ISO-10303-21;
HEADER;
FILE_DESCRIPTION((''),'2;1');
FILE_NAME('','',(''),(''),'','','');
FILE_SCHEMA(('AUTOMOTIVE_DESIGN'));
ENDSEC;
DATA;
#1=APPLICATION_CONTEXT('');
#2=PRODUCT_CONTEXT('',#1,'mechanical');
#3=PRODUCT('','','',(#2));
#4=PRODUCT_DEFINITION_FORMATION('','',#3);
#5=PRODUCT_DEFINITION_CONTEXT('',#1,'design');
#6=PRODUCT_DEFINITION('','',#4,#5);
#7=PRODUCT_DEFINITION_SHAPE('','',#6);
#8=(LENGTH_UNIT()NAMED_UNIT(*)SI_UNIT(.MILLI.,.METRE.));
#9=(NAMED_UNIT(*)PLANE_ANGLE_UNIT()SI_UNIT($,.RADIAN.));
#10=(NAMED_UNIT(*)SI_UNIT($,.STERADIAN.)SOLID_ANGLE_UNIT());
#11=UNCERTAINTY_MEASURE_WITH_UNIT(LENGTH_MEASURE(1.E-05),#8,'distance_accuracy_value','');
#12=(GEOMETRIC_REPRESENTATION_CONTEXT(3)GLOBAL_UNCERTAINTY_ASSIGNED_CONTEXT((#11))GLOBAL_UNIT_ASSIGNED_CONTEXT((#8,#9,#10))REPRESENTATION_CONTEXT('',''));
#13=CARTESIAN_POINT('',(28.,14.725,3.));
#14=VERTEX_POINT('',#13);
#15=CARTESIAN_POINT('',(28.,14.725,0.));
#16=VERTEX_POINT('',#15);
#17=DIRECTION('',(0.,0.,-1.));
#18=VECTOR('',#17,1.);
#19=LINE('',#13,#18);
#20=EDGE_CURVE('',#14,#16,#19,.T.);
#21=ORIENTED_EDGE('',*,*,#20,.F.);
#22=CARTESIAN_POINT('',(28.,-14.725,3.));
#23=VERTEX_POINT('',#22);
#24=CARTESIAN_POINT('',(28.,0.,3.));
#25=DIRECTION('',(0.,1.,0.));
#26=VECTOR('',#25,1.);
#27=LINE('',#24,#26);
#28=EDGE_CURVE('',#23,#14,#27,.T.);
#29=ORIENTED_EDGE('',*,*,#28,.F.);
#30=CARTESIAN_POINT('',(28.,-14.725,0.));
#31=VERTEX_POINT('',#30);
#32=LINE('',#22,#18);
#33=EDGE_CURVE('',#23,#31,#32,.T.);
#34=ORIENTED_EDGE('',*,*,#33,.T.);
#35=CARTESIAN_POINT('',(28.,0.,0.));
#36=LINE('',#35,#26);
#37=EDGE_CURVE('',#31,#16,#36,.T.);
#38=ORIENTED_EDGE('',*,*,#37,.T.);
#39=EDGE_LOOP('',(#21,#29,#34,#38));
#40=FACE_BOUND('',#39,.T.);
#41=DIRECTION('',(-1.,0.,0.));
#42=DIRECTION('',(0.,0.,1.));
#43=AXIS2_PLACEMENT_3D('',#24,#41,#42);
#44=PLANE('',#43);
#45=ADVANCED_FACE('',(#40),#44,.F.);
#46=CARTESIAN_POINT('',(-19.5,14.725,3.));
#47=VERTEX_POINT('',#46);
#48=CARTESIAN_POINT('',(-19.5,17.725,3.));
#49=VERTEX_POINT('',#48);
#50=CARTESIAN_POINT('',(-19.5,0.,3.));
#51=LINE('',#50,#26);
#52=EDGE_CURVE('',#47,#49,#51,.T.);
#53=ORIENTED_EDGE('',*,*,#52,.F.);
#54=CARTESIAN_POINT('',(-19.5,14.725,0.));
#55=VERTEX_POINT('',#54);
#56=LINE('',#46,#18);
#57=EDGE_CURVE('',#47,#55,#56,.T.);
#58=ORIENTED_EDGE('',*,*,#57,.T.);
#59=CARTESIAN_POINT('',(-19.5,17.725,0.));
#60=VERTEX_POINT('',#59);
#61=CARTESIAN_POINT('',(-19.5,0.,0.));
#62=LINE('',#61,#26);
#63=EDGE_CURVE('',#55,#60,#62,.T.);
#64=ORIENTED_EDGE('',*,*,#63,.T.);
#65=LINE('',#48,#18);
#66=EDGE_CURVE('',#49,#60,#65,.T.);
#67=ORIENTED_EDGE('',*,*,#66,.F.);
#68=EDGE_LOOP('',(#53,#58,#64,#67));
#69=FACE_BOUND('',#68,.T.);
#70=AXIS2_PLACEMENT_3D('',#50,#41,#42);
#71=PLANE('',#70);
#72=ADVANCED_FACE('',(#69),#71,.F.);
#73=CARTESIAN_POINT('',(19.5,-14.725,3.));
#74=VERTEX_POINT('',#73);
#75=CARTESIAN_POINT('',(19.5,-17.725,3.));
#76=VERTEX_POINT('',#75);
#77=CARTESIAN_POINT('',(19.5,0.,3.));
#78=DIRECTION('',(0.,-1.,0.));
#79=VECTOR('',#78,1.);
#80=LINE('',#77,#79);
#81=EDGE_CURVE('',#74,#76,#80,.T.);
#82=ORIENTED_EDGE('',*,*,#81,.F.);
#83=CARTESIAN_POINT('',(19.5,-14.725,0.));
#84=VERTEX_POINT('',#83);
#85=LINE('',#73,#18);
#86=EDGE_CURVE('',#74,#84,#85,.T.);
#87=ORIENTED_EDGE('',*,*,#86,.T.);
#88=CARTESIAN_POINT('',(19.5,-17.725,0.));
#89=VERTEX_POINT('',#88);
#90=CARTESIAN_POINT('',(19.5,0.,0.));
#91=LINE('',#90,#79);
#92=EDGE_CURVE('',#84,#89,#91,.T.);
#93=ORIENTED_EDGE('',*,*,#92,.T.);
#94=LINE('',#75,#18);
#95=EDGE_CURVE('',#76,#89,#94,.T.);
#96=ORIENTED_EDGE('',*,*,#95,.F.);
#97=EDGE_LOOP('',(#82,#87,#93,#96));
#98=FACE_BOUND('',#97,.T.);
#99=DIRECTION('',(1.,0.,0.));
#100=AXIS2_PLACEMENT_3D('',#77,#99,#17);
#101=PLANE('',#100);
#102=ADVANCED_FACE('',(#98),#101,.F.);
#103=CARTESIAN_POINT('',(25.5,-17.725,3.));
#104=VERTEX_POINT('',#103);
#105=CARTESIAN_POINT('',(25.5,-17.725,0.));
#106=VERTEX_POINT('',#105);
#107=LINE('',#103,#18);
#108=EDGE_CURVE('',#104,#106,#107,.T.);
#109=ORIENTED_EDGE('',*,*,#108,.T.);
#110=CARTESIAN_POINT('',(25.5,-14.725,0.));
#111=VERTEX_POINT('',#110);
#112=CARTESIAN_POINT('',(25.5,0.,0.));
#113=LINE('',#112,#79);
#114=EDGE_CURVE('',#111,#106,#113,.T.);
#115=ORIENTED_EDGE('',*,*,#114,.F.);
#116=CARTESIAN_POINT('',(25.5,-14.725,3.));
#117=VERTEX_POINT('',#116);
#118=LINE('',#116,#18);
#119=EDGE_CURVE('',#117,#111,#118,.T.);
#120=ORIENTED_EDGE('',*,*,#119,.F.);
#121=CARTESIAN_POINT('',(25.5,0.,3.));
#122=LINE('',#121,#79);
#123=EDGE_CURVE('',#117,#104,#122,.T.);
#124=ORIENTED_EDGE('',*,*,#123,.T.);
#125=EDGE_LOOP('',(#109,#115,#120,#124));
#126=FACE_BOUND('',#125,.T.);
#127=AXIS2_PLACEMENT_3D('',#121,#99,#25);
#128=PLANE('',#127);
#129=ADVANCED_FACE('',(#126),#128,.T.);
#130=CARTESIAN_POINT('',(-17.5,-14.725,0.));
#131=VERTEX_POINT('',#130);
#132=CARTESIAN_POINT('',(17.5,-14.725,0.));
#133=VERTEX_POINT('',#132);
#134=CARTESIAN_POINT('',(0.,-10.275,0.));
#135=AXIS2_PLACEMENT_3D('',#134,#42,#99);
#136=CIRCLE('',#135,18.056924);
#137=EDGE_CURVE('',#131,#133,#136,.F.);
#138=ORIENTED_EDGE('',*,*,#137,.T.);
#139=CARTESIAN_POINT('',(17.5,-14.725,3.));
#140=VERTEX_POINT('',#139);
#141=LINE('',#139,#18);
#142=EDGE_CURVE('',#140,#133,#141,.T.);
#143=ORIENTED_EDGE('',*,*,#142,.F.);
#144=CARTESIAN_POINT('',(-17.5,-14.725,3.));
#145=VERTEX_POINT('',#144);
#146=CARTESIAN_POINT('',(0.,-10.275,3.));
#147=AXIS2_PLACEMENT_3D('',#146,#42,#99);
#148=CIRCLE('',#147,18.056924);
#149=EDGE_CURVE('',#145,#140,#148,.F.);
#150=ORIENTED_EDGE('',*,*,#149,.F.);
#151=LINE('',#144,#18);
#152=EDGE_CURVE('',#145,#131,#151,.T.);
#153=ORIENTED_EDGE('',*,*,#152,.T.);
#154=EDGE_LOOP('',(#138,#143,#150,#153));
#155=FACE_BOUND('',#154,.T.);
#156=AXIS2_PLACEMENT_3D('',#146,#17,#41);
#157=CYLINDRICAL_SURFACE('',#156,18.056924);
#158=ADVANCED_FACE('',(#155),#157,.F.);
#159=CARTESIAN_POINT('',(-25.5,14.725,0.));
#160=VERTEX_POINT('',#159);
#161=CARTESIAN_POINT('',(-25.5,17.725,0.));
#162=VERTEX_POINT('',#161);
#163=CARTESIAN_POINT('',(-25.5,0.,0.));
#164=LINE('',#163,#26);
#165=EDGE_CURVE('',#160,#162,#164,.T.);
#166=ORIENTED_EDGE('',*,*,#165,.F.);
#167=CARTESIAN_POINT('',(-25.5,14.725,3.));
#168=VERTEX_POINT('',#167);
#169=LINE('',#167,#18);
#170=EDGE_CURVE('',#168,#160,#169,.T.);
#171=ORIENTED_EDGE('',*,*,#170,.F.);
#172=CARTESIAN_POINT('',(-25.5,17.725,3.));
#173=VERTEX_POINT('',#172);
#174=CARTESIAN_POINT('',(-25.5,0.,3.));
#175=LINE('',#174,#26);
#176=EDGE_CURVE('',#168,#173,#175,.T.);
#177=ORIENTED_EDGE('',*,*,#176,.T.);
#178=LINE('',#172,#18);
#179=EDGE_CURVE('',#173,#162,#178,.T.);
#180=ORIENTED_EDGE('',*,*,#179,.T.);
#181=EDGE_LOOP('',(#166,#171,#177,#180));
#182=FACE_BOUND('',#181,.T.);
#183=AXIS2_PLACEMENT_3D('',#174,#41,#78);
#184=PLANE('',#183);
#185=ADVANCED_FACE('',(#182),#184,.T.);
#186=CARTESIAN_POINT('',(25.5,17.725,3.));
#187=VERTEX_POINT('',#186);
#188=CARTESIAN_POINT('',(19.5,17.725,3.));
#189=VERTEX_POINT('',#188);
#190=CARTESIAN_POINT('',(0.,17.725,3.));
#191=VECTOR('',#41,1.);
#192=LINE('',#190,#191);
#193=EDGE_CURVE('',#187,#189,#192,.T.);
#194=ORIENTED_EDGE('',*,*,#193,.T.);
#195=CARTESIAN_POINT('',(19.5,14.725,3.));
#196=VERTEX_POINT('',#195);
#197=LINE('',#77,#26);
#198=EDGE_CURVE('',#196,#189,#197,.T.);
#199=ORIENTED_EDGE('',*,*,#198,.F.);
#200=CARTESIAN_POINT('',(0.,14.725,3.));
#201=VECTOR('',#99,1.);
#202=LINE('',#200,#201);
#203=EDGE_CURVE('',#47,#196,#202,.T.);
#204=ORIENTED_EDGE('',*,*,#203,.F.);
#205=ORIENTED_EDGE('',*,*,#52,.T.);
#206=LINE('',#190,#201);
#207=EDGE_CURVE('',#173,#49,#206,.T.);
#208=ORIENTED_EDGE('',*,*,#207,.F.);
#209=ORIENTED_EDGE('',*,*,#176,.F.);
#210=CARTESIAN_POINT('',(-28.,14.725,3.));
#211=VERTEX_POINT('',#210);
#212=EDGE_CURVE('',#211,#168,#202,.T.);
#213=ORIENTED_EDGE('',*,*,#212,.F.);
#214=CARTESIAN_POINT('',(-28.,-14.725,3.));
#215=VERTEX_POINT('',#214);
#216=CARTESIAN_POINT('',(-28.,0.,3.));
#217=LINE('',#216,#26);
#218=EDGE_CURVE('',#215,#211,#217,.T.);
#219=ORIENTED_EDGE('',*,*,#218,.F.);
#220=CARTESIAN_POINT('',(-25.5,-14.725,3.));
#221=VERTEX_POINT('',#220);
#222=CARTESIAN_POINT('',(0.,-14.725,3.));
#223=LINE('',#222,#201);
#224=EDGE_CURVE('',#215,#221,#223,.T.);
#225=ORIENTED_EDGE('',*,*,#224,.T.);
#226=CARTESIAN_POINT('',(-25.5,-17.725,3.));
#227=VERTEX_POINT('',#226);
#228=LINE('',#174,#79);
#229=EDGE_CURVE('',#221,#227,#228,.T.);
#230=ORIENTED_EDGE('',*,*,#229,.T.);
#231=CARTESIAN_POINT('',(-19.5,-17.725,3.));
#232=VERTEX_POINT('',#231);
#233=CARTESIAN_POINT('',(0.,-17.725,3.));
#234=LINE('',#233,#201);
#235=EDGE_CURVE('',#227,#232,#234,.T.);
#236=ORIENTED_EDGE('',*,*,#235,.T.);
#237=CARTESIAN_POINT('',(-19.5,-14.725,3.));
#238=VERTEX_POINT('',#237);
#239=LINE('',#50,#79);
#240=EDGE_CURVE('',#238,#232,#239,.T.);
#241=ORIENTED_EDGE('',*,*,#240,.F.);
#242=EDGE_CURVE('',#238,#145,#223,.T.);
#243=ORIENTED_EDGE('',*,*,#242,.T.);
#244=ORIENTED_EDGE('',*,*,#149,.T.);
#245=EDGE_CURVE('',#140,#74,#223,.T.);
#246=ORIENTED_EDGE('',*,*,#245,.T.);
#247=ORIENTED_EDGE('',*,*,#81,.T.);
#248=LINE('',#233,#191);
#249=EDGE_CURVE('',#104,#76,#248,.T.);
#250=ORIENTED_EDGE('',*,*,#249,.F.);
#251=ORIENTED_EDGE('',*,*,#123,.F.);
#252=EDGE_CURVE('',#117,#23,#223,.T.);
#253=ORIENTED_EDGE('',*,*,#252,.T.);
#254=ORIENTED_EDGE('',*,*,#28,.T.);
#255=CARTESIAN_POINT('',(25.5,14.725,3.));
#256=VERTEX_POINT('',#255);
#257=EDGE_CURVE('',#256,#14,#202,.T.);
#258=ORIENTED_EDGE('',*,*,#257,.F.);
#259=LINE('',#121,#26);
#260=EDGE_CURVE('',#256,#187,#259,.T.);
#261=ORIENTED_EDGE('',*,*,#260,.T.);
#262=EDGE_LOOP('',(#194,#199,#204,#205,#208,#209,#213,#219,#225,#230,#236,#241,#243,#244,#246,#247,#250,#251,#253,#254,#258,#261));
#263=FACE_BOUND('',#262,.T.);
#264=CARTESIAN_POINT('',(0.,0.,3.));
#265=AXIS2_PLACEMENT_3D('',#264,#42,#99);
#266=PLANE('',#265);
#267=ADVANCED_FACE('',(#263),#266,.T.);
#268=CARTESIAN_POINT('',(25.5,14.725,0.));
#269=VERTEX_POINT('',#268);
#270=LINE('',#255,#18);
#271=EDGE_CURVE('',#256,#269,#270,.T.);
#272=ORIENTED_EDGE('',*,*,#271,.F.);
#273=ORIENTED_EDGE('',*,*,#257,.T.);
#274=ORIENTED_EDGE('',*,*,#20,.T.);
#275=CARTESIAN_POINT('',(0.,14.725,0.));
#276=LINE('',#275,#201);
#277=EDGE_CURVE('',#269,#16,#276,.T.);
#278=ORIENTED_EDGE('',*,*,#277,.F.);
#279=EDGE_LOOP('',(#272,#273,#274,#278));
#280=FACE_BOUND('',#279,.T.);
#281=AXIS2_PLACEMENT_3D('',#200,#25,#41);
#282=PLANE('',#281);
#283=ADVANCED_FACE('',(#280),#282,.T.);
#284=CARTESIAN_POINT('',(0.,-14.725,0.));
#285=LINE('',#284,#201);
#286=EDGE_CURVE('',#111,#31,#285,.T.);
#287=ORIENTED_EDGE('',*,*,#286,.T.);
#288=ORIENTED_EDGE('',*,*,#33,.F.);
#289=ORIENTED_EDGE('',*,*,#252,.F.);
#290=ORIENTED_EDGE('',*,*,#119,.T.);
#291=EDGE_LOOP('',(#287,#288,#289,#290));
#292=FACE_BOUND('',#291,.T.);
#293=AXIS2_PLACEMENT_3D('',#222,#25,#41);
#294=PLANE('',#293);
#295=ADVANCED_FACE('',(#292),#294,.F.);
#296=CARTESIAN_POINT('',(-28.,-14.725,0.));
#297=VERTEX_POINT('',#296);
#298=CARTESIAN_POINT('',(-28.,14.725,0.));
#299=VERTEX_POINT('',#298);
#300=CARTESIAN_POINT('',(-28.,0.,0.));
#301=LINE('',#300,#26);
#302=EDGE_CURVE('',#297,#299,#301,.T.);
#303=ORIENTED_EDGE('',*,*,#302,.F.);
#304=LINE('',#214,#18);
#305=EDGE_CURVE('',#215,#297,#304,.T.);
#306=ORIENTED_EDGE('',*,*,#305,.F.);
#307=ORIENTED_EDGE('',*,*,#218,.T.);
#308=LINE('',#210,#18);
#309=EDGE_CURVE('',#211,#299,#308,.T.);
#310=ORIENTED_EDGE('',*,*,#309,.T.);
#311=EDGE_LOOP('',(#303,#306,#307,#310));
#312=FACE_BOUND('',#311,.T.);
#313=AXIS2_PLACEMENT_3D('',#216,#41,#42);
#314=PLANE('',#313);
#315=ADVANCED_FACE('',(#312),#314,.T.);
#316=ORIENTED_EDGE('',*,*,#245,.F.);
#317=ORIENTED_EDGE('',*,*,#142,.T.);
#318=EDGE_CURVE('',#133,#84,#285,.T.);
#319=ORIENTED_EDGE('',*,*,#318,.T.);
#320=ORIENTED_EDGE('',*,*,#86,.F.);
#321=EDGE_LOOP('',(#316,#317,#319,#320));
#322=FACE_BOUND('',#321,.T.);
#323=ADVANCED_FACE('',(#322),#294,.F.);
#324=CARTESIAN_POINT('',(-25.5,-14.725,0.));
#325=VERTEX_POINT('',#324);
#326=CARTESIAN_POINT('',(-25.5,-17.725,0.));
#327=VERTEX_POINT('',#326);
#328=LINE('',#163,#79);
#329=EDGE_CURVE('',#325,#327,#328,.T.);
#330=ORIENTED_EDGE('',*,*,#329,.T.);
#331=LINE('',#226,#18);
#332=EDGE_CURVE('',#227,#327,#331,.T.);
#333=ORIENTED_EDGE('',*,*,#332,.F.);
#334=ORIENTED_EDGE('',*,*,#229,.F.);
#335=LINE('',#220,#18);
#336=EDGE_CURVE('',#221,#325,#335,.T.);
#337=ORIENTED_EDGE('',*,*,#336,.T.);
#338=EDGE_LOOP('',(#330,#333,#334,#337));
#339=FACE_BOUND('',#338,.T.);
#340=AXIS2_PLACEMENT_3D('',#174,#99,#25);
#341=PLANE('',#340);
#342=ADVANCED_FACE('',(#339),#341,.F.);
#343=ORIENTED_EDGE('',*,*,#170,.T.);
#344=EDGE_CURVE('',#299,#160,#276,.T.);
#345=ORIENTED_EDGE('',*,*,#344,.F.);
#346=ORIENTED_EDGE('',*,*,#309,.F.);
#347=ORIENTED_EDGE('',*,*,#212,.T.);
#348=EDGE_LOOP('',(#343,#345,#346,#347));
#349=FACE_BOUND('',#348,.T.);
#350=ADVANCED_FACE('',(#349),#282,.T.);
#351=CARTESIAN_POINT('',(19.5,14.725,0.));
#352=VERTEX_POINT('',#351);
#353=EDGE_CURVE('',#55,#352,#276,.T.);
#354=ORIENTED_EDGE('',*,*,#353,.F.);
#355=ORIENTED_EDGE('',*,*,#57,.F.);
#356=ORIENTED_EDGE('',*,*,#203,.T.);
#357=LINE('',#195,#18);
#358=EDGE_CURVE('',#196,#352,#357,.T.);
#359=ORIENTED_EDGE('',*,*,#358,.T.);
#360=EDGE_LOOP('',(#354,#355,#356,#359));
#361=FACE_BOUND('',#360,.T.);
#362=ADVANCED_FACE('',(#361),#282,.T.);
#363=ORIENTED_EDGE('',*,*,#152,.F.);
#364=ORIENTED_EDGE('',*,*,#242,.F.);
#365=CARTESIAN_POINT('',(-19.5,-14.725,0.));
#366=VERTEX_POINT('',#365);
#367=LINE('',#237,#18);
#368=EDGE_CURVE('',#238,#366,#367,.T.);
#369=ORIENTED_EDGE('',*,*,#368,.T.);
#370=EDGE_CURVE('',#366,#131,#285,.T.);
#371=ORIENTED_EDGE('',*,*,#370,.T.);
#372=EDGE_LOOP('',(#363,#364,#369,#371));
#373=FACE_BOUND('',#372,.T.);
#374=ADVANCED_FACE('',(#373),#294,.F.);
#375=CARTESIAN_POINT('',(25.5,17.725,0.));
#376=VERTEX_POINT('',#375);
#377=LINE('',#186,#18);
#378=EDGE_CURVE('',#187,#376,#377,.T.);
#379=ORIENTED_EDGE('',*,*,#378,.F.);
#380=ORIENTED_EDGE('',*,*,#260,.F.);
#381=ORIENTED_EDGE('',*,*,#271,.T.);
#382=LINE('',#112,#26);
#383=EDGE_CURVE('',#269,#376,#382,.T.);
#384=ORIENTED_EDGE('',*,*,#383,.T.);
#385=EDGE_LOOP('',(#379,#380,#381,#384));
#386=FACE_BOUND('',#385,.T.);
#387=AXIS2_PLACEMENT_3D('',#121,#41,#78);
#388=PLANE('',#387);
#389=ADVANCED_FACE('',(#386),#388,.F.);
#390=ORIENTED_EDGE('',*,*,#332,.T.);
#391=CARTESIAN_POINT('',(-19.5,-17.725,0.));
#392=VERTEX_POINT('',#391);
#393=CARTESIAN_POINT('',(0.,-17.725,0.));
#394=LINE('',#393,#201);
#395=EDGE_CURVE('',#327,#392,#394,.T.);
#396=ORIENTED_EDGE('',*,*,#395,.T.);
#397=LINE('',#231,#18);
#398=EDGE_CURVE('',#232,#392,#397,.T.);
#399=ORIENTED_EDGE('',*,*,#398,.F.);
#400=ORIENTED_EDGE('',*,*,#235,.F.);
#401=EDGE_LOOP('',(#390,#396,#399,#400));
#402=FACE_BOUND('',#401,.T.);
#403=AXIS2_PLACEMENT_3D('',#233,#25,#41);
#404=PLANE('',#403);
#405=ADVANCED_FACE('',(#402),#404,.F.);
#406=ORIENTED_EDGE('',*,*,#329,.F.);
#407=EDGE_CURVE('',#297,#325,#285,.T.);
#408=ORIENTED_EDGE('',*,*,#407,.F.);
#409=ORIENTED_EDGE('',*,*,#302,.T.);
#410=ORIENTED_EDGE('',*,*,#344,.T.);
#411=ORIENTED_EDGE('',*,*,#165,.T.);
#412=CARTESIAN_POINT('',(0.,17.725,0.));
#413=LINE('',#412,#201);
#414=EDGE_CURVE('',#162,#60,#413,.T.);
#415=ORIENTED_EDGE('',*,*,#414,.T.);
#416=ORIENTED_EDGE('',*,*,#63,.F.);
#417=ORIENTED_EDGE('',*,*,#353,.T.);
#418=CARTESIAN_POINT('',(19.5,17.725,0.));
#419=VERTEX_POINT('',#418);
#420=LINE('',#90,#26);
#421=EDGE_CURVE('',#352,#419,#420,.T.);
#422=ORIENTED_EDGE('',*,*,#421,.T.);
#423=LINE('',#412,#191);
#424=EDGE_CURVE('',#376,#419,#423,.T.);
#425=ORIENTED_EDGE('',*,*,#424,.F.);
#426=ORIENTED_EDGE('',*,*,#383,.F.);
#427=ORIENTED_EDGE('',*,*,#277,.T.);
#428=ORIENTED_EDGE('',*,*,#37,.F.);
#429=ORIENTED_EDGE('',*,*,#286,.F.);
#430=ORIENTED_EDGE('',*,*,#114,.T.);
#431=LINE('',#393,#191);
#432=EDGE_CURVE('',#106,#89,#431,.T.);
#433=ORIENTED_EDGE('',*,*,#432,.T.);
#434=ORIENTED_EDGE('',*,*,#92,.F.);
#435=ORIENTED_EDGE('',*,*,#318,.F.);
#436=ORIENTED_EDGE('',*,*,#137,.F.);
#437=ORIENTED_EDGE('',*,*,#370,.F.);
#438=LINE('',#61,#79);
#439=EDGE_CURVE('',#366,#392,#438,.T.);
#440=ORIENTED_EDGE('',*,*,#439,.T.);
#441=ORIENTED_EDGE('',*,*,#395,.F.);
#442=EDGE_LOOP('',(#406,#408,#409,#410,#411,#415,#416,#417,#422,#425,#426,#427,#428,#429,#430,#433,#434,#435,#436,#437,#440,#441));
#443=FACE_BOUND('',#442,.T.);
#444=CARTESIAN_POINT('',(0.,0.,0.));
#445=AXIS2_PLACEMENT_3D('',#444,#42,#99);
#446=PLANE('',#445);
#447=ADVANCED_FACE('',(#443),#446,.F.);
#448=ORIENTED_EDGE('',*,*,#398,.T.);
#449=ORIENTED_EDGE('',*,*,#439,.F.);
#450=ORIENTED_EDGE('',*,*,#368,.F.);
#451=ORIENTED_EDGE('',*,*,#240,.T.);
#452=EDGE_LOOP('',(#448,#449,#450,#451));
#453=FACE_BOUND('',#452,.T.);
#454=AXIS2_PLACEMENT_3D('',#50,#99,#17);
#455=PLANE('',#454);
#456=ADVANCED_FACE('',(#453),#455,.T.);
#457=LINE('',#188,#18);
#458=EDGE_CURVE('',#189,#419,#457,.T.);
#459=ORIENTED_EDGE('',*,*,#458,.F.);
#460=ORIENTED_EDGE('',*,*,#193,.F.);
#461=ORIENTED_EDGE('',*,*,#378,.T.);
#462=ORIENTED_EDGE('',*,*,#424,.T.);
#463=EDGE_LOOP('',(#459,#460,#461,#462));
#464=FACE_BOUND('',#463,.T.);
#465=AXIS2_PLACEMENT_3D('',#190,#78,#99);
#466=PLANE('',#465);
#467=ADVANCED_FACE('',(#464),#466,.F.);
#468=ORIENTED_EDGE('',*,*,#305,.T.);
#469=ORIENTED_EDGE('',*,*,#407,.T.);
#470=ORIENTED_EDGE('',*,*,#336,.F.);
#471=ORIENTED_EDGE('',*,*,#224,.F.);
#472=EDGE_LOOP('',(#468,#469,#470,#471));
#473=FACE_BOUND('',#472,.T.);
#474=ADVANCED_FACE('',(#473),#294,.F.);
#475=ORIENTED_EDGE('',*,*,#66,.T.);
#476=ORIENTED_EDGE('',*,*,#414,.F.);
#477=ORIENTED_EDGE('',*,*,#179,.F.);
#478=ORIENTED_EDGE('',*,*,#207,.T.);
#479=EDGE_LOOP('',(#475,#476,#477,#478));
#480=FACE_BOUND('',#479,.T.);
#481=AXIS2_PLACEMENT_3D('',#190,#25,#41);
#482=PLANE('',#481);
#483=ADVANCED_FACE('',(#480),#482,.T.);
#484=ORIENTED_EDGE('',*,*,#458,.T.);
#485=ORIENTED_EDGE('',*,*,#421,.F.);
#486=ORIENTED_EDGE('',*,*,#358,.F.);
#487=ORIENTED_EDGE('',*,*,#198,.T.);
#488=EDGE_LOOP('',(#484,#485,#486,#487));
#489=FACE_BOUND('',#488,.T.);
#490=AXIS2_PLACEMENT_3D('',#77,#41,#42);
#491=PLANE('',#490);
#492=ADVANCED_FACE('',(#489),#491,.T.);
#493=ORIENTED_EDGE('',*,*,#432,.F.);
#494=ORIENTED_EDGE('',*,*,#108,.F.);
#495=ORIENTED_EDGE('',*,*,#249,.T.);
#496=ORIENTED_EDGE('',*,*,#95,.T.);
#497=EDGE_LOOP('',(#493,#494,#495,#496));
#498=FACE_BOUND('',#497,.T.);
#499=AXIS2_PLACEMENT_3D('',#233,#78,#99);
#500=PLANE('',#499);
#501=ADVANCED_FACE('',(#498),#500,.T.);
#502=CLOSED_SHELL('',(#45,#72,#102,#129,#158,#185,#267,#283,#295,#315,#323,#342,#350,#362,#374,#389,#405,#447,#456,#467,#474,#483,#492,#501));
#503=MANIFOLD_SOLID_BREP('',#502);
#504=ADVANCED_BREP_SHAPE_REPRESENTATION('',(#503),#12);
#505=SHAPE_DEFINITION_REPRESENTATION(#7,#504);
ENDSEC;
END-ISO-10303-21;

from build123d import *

# Parameters (mm, degrees)
BOSS_EXTRUDE1_DEPTH = 3


with BuildPart() as part:
    # Sketch1 → Boss-Extrude1 (new body)
    with BuildSketch(Plane.XY):
        with BuildLine():
            Line((-28, 14.725), (-28, -14.725))
            Line((-28, -14.725), (-25.5, -14.725))
            Line((-25.5, -14.725), (-25.5, -17.725))
            Line((-25.5, -17.725), (-19.5, -17.725))
            Line((-19.5, -17.725), (-19.5, -14.725))
            Line((-19.5, -14.725), (-17.5, -14.725))
            ThreePointArc((-17.5, -14.725), (0, 7.78192388), (17.5, -14.725))
            Line((17.5, -14.725), (19.5, -14.725))
            Line((19.5, -14.725), (19.5, -17.725))
            Line((19.5, -17.725), (25.5, -17.725))
            Line((25.5, -17.725), (25.5, -14.725))
            Line((25.5, -14.725), (28, -14.725))
            Line((28, -14.725), (28, 14.725))
            Line((28, 14.725), (25.5, 14.725))
            Line((25.5, 14.725), (25.5, 17.725))
            Line((25.5, 17.725), (19.5, 17.725))
            Line((19.5, 17.725), (19.5, 14.725))
            Line((19.5, 14.725), (-19.5, 14.725))
            Line((-19.5, 14.725), (-19.5, 17.725))
            Line((-19.5, 17.725), (-25.5, 17.725))
            Line((-25.5, 17.725), (-25.5, 14.725))
            Line((-25.5, 14.725), (-28, 14.725))
        make_face()
    extrude(amount=BOSS_EXTRUDE1_DEPTH)


solid = part.part
